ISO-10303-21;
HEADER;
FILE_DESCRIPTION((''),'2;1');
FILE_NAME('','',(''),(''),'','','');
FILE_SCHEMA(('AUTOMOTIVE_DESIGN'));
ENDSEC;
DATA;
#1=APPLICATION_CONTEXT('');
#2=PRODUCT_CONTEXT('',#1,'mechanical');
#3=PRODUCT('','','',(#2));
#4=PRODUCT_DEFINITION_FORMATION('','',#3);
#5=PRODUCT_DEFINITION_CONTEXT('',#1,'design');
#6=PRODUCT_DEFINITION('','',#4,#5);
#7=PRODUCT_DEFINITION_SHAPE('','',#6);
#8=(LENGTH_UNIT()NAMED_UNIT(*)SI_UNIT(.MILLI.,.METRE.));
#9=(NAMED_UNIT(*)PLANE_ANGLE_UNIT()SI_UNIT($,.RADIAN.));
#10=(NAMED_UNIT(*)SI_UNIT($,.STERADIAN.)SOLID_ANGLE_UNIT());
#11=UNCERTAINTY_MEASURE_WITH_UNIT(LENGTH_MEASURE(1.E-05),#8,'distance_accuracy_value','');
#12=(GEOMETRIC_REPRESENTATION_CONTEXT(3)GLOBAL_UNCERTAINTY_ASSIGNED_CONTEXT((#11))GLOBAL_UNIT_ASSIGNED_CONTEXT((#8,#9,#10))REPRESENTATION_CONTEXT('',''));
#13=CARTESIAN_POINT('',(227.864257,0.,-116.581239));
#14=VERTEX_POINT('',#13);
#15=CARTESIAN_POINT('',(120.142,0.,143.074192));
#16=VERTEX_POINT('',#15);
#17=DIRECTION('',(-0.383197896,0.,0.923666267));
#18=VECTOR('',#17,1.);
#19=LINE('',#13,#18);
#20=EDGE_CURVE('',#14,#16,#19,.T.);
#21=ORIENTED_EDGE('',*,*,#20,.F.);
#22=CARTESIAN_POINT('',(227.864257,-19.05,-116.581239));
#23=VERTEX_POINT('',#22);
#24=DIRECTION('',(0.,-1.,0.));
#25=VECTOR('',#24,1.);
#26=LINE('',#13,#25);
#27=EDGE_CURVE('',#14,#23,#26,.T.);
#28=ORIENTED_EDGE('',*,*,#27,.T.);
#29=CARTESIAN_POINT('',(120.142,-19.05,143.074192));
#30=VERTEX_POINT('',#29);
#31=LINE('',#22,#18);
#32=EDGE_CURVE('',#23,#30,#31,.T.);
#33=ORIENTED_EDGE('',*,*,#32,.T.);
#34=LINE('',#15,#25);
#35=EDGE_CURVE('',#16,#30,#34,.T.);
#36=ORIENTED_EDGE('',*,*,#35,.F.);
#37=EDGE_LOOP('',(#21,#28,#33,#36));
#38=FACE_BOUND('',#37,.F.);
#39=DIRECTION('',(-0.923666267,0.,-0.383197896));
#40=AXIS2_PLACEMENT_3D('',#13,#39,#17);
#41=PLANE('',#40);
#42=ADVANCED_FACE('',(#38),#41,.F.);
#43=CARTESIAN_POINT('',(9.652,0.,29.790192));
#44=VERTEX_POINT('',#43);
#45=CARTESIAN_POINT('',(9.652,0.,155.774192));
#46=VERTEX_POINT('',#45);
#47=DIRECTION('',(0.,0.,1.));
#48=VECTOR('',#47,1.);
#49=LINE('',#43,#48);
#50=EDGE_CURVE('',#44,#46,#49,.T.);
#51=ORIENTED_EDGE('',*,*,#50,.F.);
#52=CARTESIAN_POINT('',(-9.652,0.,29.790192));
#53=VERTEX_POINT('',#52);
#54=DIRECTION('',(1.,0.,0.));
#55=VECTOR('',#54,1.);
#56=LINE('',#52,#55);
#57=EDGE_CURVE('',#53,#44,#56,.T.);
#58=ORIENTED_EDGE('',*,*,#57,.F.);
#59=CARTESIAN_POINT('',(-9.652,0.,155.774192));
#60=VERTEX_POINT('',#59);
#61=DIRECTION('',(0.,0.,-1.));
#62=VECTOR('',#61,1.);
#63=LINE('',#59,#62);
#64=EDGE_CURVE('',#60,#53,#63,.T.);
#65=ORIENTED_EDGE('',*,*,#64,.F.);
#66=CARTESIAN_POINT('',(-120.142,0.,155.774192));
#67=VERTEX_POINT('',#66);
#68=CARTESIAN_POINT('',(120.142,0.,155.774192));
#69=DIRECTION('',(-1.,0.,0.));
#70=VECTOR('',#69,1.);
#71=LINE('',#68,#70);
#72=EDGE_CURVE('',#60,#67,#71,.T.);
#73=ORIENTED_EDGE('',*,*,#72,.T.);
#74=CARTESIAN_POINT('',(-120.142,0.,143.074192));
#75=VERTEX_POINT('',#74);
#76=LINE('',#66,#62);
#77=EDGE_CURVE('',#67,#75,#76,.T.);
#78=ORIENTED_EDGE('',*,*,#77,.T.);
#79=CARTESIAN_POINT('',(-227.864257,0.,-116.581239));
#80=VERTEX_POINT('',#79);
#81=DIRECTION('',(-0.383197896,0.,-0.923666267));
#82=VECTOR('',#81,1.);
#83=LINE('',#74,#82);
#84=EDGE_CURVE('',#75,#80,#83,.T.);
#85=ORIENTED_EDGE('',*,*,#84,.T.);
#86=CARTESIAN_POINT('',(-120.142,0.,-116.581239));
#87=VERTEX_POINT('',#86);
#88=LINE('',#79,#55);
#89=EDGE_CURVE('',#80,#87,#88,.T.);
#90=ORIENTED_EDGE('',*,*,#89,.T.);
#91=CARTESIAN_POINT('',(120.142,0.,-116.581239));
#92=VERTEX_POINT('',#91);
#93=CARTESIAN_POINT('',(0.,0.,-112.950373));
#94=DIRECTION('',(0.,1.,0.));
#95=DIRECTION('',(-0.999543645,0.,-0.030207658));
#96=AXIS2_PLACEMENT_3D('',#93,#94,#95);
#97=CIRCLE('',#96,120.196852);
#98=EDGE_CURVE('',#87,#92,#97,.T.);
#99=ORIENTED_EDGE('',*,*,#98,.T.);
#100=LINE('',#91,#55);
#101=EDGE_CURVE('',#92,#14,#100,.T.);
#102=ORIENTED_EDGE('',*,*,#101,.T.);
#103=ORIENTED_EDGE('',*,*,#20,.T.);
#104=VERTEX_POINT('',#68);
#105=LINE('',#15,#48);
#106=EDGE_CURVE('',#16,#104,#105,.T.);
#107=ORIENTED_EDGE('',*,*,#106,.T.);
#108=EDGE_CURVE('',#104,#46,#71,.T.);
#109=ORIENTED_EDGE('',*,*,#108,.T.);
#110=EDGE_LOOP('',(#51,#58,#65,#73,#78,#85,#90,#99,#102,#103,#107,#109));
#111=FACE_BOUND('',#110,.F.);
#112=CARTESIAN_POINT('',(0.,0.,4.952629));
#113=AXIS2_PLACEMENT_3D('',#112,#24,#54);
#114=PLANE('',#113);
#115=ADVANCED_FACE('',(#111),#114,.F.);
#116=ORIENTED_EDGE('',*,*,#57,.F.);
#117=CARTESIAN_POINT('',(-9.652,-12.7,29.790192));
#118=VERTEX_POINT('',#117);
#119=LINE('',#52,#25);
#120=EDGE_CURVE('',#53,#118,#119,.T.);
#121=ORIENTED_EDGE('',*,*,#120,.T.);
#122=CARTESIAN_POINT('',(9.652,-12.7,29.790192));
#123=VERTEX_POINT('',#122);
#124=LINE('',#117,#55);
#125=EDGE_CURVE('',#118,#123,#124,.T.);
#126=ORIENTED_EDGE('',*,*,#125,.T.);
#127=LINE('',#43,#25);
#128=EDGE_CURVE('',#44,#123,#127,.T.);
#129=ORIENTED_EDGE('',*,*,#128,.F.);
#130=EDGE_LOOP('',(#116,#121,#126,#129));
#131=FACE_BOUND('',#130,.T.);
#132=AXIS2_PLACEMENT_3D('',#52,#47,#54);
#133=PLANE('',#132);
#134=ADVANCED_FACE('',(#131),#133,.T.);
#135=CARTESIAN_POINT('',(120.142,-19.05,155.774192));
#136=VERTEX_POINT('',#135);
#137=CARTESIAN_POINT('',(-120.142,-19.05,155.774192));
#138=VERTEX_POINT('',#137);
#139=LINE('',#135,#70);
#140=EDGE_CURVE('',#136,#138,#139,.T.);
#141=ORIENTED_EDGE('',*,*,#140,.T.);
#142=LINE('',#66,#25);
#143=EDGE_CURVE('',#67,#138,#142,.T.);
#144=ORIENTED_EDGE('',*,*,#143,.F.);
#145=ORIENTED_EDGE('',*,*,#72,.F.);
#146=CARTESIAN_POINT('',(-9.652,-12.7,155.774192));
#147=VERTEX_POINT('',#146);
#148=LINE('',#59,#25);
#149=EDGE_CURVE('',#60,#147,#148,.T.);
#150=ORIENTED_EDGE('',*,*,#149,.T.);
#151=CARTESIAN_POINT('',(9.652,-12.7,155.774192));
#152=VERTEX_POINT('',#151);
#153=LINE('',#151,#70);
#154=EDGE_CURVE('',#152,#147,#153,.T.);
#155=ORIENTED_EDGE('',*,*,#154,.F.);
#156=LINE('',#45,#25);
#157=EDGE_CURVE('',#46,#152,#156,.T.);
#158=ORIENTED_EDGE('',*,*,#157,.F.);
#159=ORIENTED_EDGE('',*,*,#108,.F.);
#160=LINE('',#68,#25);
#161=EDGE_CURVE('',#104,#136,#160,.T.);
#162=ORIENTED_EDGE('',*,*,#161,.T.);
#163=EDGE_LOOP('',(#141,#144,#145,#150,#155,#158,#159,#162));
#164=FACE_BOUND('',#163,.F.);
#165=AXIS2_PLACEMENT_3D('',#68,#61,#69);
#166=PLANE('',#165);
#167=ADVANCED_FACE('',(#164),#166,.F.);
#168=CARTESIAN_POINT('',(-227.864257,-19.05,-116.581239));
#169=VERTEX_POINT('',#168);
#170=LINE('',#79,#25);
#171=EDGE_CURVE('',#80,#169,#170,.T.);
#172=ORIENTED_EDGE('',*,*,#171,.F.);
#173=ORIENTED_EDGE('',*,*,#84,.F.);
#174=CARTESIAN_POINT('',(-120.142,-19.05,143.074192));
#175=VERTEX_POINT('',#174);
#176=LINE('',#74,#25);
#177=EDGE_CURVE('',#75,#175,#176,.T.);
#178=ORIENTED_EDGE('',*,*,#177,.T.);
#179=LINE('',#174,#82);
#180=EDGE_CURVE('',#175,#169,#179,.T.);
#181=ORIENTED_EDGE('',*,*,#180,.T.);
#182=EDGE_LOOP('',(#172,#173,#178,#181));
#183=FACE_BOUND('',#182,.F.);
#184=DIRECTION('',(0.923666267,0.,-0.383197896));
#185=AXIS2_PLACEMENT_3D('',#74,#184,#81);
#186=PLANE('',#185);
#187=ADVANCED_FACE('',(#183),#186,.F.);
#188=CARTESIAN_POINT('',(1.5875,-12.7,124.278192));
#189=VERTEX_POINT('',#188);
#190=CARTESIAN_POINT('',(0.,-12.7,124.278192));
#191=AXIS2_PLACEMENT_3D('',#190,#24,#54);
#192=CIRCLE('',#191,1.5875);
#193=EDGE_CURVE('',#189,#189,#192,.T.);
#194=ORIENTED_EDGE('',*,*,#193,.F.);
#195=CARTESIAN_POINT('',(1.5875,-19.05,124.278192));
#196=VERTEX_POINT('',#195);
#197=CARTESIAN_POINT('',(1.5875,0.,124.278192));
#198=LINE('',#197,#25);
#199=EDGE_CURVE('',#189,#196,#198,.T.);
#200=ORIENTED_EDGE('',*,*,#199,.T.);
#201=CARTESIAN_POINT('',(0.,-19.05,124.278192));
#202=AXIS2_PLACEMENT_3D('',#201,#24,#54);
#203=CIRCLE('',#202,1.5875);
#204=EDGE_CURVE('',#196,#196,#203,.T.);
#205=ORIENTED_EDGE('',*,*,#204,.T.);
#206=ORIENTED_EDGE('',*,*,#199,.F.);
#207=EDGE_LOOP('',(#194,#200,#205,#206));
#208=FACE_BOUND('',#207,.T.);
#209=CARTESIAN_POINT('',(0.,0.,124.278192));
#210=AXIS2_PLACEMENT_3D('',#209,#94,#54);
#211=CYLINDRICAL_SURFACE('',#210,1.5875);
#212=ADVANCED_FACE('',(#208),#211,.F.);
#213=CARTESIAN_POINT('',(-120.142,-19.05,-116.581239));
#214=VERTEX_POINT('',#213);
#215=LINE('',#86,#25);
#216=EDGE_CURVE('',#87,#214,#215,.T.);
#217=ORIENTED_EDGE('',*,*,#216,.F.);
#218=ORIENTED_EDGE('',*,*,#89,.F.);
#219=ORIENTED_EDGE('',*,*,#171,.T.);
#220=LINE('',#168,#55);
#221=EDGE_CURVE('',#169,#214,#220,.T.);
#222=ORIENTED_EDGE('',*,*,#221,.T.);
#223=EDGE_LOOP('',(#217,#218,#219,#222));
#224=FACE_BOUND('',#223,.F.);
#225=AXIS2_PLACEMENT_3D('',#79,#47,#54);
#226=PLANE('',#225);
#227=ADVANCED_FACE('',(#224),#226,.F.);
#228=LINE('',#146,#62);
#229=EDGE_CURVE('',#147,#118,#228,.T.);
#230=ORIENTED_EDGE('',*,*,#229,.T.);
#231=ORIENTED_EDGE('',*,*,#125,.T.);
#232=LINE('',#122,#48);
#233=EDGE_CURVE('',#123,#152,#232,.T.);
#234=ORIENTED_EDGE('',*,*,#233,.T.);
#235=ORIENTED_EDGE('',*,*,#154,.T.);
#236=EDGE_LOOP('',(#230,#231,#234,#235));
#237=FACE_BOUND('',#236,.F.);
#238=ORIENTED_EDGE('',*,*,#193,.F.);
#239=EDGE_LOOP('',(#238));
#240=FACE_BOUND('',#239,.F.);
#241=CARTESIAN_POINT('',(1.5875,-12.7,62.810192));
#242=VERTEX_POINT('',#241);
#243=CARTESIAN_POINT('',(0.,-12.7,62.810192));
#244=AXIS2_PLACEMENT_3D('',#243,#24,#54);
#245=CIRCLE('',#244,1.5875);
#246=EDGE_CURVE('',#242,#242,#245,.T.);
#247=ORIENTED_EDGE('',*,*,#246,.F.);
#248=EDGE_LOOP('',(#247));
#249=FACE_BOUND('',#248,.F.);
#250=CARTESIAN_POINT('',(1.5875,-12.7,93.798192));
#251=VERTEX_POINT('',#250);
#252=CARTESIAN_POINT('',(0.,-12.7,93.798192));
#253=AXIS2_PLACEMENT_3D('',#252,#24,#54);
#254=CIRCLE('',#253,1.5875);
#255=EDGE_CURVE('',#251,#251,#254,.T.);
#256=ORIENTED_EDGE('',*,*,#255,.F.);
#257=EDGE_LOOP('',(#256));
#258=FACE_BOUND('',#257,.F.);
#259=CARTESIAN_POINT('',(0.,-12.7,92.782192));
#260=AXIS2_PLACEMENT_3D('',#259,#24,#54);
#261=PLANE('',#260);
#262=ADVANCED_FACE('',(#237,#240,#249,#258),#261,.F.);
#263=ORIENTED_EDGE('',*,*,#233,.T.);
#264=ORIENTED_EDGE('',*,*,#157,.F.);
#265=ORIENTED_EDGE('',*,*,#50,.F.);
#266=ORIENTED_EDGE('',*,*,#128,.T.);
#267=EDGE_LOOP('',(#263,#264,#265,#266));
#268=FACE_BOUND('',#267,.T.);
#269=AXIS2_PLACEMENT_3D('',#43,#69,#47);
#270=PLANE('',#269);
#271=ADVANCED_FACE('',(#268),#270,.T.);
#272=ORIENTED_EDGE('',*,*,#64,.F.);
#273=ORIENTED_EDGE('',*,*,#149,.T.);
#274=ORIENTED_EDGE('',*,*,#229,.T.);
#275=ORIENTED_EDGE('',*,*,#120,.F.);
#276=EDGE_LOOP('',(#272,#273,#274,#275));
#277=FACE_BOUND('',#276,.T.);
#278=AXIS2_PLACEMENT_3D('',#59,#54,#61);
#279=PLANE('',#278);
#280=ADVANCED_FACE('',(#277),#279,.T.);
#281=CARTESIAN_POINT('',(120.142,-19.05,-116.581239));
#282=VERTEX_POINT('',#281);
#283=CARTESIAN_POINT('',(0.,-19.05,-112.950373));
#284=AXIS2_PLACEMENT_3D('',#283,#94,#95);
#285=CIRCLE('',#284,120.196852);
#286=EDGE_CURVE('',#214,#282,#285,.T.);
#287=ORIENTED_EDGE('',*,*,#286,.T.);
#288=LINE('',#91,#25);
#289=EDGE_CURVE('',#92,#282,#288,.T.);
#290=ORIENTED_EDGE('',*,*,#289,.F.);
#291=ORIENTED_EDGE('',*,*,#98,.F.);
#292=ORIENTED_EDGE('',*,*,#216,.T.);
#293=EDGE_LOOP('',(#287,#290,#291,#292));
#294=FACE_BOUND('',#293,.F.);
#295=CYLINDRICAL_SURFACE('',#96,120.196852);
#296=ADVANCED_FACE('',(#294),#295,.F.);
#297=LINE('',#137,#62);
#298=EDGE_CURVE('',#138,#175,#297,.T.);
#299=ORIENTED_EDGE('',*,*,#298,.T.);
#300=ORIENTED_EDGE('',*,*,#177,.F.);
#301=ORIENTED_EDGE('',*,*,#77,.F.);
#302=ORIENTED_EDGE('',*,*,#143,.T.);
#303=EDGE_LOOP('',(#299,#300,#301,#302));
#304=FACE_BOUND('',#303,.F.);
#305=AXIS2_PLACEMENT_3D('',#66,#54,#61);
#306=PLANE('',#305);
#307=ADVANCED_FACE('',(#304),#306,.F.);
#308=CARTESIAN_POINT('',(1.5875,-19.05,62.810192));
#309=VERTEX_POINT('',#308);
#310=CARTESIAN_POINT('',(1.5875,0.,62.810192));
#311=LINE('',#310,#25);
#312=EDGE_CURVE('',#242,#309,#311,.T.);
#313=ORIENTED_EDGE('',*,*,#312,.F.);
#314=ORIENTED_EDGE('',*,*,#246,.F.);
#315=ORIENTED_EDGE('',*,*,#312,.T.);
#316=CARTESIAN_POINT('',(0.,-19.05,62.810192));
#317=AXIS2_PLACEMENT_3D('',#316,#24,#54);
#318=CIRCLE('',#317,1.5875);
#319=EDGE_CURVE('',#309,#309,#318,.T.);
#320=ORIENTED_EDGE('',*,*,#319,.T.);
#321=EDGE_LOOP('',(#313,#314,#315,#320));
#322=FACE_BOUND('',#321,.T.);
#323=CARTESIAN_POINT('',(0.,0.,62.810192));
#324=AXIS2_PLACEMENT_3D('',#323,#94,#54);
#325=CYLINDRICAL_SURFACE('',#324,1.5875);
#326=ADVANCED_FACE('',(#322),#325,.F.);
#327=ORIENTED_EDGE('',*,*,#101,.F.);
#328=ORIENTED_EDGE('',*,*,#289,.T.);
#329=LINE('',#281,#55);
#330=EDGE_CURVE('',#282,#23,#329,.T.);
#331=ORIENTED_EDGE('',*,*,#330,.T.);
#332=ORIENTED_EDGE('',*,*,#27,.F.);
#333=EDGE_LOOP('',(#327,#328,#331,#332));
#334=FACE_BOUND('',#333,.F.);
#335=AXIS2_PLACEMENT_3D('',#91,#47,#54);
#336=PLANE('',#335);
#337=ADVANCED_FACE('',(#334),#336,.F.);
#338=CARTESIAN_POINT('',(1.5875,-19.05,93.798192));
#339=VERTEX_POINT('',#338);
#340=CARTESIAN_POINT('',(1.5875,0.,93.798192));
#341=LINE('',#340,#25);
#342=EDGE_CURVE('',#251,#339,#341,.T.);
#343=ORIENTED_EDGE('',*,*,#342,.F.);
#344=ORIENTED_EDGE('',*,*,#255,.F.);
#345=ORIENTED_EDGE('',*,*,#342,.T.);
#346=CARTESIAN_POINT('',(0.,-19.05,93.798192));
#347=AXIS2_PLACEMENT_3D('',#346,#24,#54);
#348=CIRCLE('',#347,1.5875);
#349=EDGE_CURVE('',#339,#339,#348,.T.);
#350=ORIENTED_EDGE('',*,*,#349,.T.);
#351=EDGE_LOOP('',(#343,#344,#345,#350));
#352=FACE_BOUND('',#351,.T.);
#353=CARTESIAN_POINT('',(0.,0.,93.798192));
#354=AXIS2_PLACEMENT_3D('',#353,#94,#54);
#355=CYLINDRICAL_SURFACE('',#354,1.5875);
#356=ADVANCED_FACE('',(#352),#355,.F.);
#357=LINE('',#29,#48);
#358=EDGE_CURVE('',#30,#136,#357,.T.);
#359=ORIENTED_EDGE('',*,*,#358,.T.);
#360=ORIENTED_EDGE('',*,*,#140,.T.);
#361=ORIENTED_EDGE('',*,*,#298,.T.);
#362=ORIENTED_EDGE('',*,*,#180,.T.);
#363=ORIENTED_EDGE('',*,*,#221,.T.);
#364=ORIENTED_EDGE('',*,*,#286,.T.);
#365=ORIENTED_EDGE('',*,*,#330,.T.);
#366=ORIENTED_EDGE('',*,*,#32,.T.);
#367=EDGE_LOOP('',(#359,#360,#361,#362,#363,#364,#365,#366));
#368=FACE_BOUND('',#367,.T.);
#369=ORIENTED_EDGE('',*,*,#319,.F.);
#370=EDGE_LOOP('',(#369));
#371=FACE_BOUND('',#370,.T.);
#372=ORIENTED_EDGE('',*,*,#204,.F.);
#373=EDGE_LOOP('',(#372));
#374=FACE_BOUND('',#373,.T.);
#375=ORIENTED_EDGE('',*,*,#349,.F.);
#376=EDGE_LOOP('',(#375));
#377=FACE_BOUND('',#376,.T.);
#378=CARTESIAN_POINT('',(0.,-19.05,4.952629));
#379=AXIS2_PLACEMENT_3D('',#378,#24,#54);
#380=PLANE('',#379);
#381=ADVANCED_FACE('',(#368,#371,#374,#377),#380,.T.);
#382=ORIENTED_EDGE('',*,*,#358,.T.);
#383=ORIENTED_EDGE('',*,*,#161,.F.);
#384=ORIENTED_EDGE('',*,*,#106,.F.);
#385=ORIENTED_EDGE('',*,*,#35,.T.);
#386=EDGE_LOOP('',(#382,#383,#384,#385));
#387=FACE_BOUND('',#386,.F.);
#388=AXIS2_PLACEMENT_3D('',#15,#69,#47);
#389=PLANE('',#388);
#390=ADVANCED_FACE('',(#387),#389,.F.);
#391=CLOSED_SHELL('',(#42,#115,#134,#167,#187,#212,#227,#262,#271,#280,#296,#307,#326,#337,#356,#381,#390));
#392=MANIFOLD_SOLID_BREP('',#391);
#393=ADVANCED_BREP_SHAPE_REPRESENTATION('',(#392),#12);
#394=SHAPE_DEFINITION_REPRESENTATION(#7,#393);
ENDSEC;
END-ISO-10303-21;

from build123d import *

# Parameters (mm, degrees)
F1_DEPTH = 19.05
F2_R     = 1.5875
F3_DEPTH = 12.7
F4_DEPTH = 19.05
F5_DEPTH = 19.05
F6_DEPTH = 19.05


with BuildPart() as f1:
    # F0 (on Front) → F1 (new body)
    with BuildSketch(Plane.XZ):
        with BuildLine():
            Line((120.142, 155.7741917981), (0, 155.7741917981))
            Line((0, 155.7741917981), (-120.142, 155.7741917981))
            Line((-120.142, 155.7741917981), (-120.142, 143.0741917981))
            Line((-120.142, 143.0741917981), (-227.8642566605, -116.5812388062))
            Line((-227.8642566605, -116.5812388062), (-120.142, -116.5812388062))
            ThreePointArc((-120.142, -116.5812388062), (0, 7.246479044), (120.142, -116.5812388062))
            Line((120.142, -116.5812388062), (227.8642566605, -116.5812388062))
            Line((227.8642566605, -116.5812388062), (120.142, 143.0741917981))
            Line((120.142, 143.0741917981), (120.142, 155.7741917981))
        make_face()
    extrude(amount=F1_DEPTH)

    # F2 (on Front) → F3 (cut)
    with BuildSketch(Plane.XZ):
        Polygon((-9.652, 29.7901917981), (0, 29.7901917981), (9.652, 29.7901917981), (9.652, 155.7741917981), (0, 155.7741917981), (-9.652, 155.7741917981), align=None)
        with Locations((0, 62.8101917981)):
            Circle(F2_R, mode=Mode.SUBTRACT)
        with Locations((0, 93.7981917981)):
            Circle(F2_R, mode=Mode.SUBTRACT)
        with Locations((0, 124.2781917981)):
            Circle(F2_R, mode=Mode.SUBTRACT)
    extrude(amount=F3_DEPTH, mode=Mode.SUBTRACT)

    # F4 (cut): a face of the model
    f4_faces = [f1.faces().sort_by_distance(p)[0] for p in [
        (0, 0, 124.2781917981),
    ]]
    extrude(f4_faces, amount=-F4_DEPTH, mode=Mode.SUBTRACT)

    # F5 (cut): a face of the model
    f5_faces = [f1.faces().sort_by_distance(p)[0] for p in [
        (0, 0, 93.7981917981),
    ]]
    extrude(f5_faces, amount=-F5_DEPTH, mode=Mode.SUBTRACT)

    # F6 (cut): a face of the model
    f6_faces = [f1.faces().sort_by_distance(p)[0] for p in [
        (0, 0, 62.8101917981),
    ]]
    extrude(f6_faces, amount=-F6_DEPTH, mode=Mode.SUBTRACT)


solid = f1.part
